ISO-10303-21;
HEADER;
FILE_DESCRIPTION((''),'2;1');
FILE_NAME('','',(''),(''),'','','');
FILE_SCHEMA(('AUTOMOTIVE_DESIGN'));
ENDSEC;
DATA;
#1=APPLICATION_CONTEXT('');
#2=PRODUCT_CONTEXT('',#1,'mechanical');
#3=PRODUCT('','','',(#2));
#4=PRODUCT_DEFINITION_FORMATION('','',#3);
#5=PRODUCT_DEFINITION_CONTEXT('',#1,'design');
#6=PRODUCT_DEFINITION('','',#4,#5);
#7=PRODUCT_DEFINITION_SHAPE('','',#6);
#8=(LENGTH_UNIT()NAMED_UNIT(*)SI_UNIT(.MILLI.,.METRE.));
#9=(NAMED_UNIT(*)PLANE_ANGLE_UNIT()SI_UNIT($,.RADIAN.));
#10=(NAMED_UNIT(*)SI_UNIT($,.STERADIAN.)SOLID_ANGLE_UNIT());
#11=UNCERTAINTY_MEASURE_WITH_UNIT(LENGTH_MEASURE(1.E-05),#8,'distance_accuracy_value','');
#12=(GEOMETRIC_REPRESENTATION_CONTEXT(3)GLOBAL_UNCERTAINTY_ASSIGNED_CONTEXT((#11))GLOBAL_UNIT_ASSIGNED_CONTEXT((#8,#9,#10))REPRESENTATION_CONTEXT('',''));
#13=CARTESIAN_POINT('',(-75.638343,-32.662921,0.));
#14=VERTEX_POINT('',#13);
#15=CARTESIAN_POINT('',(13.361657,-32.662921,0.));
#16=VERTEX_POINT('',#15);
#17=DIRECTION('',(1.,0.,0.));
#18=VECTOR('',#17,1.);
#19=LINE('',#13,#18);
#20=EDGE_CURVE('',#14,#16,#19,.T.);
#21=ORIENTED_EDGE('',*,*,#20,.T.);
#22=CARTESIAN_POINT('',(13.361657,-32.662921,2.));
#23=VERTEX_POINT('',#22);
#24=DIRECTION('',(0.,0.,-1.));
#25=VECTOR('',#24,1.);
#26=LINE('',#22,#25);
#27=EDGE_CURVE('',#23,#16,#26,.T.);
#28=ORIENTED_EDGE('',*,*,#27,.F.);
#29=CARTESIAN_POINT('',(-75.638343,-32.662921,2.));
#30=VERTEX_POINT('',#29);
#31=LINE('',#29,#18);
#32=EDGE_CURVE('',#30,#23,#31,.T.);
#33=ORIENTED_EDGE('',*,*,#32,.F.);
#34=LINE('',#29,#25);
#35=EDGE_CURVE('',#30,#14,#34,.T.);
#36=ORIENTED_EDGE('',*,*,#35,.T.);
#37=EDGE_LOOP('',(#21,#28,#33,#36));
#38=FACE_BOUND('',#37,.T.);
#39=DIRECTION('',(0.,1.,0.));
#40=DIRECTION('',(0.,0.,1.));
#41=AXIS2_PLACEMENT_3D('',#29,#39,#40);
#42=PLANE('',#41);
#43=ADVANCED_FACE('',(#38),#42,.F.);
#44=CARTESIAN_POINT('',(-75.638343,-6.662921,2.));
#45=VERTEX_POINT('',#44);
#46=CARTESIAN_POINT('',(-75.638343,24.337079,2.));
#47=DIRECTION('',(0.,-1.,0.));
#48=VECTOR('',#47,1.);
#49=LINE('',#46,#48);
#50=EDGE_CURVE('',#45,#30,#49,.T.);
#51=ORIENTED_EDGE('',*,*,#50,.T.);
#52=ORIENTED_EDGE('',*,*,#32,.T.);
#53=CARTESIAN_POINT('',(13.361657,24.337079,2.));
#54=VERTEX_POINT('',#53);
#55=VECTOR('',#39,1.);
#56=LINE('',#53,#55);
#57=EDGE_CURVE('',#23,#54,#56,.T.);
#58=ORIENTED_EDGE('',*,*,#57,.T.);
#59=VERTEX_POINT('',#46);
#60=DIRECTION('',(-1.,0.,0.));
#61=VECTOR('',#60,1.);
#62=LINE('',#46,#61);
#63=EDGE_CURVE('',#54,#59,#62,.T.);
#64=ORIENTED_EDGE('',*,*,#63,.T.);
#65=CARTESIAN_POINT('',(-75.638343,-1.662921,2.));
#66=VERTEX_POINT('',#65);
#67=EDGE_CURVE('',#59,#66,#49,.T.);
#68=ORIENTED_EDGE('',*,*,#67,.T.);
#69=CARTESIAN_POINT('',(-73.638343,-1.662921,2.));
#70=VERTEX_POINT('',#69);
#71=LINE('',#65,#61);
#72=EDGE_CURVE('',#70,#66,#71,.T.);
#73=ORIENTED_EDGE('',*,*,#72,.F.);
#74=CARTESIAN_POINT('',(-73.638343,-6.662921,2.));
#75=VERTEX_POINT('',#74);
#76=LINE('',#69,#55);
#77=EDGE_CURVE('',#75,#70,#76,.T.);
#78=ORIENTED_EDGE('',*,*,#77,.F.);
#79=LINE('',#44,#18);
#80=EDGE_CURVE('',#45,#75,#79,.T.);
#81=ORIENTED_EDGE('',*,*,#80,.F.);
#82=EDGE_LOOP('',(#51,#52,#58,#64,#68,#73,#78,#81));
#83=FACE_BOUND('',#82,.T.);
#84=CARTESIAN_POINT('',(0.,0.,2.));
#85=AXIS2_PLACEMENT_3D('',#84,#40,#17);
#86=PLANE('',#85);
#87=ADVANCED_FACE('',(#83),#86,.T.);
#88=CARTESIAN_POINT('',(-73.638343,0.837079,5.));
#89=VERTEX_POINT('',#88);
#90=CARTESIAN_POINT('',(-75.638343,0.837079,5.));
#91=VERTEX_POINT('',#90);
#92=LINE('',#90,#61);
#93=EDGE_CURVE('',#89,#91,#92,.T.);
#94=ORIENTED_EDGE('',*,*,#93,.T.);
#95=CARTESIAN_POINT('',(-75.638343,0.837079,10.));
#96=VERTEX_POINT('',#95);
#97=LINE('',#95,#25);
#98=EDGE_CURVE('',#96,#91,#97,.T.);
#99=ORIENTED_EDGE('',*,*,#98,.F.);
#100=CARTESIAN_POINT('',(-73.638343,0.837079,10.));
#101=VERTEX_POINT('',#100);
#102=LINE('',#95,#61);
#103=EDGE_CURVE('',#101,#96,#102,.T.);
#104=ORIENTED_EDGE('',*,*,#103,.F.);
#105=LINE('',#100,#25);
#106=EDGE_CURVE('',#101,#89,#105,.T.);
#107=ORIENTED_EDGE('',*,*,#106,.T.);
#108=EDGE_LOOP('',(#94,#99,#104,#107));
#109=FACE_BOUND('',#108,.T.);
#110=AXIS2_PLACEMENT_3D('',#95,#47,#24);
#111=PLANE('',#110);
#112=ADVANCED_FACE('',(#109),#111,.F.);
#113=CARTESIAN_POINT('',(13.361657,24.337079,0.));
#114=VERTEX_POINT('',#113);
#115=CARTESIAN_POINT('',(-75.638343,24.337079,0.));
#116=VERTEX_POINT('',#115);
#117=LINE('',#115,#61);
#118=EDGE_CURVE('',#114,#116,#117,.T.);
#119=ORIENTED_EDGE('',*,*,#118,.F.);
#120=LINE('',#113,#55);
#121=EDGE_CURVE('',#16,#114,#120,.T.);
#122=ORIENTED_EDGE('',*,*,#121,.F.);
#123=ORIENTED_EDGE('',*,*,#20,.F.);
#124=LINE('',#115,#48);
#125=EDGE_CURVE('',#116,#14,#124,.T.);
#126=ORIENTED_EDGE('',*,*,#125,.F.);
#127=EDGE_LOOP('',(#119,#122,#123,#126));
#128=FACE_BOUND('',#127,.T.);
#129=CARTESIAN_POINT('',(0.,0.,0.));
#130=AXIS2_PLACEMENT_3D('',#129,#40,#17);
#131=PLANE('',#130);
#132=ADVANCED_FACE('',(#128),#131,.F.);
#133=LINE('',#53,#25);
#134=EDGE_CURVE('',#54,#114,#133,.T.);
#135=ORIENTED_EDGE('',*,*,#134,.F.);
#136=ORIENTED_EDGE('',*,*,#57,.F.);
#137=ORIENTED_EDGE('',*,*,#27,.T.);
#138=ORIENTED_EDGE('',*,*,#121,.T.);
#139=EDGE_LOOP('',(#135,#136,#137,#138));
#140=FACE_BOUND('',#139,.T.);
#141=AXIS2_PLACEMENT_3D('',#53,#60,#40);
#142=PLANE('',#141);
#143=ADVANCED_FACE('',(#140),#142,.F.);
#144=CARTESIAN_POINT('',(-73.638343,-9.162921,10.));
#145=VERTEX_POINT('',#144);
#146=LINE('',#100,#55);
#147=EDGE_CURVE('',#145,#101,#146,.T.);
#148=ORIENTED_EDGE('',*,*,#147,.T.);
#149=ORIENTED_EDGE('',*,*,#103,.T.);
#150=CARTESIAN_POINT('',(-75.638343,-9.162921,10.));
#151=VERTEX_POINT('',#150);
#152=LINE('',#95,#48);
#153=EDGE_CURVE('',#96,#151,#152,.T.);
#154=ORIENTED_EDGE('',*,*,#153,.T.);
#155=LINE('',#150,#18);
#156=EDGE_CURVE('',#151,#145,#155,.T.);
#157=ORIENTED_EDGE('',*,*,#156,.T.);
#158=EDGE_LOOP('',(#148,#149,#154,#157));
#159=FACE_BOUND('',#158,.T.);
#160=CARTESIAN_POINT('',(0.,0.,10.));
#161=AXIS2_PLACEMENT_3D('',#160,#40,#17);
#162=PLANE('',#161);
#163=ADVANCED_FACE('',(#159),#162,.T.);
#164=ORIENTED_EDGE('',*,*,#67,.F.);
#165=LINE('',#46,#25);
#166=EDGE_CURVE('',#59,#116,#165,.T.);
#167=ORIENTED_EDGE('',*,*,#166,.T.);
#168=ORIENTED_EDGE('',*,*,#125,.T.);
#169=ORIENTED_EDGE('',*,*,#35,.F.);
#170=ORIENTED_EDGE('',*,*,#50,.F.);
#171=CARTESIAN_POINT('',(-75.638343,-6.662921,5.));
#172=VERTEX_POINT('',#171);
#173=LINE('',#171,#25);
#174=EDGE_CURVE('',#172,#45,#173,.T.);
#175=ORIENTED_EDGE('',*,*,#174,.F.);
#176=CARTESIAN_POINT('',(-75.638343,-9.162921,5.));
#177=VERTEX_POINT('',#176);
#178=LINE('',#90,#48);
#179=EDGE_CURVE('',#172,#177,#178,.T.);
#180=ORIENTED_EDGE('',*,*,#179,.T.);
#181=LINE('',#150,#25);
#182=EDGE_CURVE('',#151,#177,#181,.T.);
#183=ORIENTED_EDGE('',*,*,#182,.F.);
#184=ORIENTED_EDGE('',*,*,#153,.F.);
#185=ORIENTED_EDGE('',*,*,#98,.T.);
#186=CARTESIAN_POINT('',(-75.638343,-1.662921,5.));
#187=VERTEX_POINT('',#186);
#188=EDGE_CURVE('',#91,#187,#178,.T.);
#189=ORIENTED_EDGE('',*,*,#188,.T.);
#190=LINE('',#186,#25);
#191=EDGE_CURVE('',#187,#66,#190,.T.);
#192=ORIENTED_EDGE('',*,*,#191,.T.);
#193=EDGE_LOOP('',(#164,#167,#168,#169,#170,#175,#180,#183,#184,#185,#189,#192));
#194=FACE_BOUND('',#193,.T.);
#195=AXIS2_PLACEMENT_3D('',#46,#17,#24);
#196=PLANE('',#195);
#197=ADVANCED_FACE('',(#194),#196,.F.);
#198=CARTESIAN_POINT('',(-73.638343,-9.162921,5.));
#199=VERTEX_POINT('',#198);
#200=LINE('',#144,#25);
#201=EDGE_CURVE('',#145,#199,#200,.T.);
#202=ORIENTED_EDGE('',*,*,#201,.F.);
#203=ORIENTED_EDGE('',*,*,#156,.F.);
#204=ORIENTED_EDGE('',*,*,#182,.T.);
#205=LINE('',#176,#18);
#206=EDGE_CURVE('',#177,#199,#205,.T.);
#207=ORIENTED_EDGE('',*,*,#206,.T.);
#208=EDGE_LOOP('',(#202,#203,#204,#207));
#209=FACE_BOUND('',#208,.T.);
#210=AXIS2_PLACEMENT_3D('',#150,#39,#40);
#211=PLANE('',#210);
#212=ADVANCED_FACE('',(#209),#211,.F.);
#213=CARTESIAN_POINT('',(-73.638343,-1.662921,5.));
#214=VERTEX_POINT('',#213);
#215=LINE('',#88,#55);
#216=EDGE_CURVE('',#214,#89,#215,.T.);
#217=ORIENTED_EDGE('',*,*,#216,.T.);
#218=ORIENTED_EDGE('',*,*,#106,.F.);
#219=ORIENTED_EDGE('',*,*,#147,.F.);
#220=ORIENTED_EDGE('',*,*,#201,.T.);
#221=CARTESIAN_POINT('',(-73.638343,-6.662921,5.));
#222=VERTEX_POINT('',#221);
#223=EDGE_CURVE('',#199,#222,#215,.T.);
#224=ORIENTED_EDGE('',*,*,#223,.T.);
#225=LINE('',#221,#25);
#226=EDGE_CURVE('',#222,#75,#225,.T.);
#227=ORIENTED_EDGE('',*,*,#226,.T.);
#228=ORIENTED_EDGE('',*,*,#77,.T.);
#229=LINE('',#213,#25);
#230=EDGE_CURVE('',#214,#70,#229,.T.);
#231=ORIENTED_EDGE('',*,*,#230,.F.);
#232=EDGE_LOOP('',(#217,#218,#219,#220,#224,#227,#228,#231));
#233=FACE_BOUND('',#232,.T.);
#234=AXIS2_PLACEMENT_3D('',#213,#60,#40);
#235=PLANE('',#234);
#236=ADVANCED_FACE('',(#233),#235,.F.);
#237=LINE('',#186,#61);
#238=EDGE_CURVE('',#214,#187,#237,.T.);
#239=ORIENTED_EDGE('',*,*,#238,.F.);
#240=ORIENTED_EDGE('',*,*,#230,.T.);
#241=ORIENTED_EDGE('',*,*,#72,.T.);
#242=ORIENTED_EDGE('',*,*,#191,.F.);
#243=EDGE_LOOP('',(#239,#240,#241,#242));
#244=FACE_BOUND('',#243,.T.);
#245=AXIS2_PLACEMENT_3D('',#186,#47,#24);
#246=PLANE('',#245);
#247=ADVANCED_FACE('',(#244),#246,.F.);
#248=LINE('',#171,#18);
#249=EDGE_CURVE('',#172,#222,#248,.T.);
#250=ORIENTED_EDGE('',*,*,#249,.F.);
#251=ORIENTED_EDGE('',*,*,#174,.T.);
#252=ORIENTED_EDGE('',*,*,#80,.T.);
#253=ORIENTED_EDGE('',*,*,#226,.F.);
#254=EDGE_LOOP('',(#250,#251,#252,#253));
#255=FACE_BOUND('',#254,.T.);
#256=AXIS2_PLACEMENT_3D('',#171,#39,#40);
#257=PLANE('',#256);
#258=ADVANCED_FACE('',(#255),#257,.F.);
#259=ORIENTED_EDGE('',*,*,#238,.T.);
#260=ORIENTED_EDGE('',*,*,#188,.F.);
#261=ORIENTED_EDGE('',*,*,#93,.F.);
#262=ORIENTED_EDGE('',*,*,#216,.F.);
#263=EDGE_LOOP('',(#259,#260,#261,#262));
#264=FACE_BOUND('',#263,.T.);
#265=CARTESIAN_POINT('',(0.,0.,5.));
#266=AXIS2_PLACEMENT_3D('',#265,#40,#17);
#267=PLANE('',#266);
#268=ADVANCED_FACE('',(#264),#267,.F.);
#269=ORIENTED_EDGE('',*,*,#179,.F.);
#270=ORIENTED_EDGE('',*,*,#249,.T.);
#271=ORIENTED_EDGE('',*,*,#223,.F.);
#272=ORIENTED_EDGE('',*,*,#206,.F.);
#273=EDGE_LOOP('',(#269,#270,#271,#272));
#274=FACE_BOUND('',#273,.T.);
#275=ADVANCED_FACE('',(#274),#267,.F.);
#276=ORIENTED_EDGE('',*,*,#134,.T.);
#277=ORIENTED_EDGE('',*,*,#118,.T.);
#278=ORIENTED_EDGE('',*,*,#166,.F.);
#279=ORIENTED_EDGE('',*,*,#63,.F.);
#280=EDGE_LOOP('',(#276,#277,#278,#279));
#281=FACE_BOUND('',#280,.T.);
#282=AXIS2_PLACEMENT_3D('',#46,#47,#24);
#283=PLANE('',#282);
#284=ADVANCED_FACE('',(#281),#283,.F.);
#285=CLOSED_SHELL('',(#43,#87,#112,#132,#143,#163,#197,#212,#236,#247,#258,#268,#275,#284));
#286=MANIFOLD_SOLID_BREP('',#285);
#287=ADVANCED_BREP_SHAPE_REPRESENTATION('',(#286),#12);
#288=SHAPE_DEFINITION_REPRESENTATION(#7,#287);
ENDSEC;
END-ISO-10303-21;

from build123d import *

# Parameters (mm, degrees)
ESQUISSE1_W        = 89
ESQUISSE1_H        = 57
BOSS_EXTRU_1_DEPTH = 2
ESQUISSE2_W        = 2
ESQUISSE2_H        = 5
BOSS_EXTRU_2_DEPTH = 3
ESQUISSE3_W        = 2
ESQUISSE3_H        = 10
BOSS_EXTRU_3_DEPTH = 5


with BuildPart() as part:
    # Esquisse1 → Boss.-Extru.1 (new body)
    with BuildSketch(Plane.XY):
        with Locations((-31.138342697, -4.162921348)):
            Rectangle(ESQUISSE1_W, ESQUISSE1_H)
    extrude(amount=BOSS_EXTRU_1_DEPTH)

    # Esquisse2 → Boss.-Extru.2 (add)
    with BuildSketch(Plane.XY.offset(2)):
        with Locations((-74.638342697, -4.162921348)):
            Rectangle(ESQUISSE2_W, ESQUISSE2_H)
    extrude(amount=BOSS_EXTRU_2_DEPTH)

    # Esquisse3 → Boss.-Extru.3 (add)
    with BuildSketch(Plane.XY.offset(5)):
        with Locations((-74.638342697, -4.162921348)):
            Rectangle(ESQUISSE3_W, ESQUISSE3_H)
    extrude(amount=BOSS_EXTRU_3_DEPTH)


solid = part.part
